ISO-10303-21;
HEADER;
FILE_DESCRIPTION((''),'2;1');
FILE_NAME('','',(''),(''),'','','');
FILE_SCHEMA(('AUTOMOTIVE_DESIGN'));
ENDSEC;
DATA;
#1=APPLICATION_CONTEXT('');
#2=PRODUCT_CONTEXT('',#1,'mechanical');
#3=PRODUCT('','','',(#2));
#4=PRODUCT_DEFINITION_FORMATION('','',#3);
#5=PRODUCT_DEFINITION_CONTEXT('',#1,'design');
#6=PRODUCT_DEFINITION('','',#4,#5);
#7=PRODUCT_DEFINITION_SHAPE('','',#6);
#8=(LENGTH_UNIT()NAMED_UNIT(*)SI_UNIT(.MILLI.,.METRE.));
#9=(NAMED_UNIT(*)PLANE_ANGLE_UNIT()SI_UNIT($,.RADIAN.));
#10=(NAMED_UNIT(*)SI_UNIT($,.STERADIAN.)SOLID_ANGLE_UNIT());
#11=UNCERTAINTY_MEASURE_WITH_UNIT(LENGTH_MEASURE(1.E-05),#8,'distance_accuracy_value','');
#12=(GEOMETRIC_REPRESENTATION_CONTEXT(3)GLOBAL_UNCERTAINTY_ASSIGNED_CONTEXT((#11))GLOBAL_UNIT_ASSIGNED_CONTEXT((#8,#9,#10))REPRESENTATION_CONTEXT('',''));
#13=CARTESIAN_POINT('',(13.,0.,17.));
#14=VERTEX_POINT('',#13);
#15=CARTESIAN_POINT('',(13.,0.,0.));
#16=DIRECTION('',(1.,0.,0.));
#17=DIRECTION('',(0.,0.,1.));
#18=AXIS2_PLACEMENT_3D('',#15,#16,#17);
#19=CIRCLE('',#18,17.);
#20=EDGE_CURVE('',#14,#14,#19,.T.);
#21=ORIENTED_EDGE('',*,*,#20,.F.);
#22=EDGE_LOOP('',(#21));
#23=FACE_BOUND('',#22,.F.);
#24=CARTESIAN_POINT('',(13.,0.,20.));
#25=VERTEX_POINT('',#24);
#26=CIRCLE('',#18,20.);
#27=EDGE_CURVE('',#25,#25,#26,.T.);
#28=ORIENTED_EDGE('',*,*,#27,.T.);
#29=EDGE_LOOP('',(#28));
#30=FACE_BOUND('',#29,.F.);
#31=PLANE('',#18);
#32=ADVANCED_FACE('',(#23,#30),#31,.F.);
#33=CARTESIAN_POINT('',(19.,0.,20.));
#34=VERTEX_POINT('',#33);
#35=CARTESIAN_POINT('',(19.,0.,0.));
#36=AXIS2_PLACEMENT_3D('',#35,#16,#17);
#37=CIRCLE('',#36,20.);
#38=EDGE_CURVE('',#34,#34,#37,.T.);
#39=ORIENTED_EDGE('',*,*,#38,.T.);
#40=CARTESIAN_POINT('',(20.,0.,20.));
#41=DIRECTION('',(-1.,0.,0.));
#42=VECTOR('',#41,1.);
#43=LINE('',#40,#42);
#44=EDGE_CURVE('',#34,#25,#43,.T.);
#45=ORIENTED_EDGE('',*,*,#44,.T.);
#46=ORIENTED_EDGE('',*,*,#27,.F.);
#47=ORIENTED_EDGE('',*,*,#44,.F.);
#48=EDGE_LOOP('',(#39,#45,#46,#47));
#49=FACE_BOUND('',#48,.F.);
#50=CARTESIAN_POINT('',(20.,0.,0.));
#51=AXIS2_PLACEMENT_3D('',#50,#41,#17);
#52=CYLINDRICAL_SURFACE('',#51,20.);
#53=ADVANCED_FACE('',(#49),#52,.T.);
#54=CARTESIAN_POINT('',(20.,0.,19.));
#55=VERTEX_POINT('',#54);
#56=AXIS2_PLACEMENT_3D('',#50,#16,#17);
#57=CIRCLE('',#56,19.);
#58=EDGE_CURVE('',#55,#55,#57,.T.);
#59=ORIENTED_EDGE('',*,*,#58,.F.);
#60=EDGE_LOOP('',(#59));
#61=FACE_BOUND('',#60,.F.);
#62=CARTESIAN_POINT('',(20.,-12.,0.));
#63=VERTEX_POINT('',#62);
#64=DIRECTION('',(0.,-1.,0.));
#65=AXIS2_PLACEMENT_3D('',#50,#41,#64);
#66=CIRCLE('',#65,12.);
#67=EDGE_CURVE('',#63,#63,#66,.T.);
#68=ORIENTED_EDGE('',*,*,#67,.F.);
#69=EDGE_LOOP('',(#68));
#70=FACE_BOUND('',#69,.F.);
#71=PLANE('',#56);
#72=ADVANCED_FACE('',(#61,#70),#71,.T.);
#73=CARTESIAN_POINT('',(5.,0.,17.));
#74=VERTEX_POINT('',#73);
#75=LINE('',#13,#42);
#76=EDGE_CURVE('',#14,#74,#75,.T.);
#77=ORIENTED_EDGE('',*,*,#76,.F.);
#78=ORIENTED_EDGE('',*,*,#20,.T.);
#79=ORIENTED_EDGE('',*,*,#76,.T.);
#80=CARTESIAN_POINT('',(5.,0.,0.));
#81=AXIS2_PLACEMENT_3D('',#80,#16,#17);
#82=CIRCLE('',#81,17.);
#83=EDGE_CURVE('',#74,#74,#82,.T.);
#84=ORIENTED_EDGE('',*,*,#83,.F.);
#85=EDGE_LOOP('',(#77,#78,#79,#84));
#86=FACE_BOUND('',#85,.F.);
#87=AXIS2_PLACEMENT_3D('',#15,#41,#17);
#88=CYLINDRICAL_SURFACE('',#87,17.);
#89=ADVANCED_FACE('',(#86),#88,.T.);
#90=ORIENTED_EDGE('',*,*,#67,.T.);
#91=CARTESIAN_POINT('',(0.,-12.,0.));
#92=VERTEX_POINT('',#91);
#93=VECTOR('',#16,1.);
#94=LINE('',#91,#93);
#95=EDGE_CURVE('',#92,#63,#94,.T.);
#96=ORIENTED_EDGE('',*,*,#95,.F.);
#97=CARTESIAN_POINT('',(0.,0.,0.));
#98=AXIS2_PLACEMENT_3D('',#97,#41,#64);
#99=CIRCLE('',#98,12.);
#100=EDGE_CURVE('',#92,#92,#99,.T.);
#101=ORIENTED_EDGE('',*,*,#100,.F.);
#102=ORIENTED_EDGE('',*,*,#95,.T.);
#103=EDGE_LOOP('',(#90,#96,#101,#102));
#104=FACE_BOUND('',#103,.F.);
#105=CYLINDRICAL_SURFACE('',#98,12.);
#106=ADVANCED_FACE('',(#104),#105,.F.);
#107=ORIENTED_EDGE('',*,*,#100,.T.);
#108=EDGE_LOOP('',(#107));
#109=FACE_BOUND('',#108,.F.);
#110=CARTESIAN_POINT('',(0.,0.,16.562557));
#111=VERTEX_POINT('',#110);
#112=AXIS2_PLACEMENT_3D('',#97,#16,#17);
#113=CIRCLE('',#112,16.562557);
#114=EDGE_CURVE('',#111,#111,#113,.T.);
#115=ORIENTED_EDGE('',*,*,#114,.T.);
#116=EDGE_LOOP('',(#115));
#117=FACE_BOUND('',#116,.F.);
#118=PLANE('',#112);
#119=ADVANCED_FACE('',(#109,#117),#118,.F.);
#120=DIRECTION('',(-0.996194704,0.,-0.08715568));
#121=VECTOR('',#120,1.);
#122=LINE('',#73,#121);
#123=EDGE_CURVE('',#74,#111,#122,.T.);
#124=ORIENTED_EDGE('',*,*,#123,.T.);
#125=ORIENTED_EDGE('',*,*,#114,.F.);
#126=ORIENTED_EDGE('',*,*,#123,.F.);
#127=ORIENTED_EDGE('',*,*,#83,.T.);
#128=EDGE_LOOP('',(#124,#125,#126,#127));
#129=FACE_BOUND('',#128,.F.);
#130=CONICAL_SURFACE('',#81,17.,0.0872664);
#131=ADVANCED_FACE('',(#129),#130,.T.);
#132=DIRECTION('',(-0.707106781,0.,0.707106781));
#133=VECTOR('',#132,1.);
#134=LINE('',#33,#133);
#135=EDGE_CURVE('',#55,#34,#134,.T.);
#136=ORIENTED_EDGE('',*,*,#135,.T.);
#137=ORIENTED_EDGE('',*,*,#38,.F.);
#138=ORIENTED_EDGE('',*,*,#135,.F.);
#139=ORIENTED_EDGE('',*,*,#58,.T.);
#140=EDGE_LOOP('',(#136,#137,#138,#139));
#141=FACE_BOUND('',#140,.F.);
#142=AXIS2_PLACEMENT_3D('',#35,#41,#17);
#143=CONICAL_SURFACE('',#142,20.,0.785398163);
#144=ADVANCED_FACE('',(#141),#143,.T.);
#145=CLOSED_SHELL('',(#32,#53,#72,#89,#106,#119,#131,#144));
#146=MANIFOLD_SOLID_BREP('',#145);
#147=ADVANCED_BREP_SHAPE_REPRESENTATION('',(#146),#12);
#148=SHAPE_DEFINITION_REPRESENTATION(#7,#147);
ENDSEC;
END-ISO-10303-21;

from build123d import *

# Parameters (mm, degrees)
F2_SIZE  = 1
F3_SIZE2 = 0.437443
F3_SIZE  = 5
F4_R     = 12
F5_DEPTH = 69.3


with BuildPart() as f1:
    # F0 (on Front) → F1 (revolve)
    with BuildSketch(Plane.XZ):
        Polygon((0, 17), (0, 0), (20, 0), (20, 20), (13, 20), (13, 17), align=None)
    revolve(axis=Axis((10, 0, 0), (1, 0, 0)))

    # F2
    f2_edges = [f1.edges().sort_by_distance(p)[0] for p in [
        (20, 0, -20),
    ]]
    chamfer(f2_edges, length=F2_SIZE)

    # F3
    f3_edges = [f1.edges().sort_by_distance(p)[0] for p in [
        (0, 0, -17),
    ]]
    chamfer(f3_edges, length=F3_SIZE, length2=F3_SIZE2)

    # F4 (on face) → F5 (cut)
    with BuildSketch(Plane(origin=(0, 0, 0), x_dir=(0, -1, 0), z_dir=(-1, 0, 0))):
        Circle(F4_R)
    extrude(amount=-F5_DEPTH, mode=Mode.SUBTRACT)


solid = f1.part
